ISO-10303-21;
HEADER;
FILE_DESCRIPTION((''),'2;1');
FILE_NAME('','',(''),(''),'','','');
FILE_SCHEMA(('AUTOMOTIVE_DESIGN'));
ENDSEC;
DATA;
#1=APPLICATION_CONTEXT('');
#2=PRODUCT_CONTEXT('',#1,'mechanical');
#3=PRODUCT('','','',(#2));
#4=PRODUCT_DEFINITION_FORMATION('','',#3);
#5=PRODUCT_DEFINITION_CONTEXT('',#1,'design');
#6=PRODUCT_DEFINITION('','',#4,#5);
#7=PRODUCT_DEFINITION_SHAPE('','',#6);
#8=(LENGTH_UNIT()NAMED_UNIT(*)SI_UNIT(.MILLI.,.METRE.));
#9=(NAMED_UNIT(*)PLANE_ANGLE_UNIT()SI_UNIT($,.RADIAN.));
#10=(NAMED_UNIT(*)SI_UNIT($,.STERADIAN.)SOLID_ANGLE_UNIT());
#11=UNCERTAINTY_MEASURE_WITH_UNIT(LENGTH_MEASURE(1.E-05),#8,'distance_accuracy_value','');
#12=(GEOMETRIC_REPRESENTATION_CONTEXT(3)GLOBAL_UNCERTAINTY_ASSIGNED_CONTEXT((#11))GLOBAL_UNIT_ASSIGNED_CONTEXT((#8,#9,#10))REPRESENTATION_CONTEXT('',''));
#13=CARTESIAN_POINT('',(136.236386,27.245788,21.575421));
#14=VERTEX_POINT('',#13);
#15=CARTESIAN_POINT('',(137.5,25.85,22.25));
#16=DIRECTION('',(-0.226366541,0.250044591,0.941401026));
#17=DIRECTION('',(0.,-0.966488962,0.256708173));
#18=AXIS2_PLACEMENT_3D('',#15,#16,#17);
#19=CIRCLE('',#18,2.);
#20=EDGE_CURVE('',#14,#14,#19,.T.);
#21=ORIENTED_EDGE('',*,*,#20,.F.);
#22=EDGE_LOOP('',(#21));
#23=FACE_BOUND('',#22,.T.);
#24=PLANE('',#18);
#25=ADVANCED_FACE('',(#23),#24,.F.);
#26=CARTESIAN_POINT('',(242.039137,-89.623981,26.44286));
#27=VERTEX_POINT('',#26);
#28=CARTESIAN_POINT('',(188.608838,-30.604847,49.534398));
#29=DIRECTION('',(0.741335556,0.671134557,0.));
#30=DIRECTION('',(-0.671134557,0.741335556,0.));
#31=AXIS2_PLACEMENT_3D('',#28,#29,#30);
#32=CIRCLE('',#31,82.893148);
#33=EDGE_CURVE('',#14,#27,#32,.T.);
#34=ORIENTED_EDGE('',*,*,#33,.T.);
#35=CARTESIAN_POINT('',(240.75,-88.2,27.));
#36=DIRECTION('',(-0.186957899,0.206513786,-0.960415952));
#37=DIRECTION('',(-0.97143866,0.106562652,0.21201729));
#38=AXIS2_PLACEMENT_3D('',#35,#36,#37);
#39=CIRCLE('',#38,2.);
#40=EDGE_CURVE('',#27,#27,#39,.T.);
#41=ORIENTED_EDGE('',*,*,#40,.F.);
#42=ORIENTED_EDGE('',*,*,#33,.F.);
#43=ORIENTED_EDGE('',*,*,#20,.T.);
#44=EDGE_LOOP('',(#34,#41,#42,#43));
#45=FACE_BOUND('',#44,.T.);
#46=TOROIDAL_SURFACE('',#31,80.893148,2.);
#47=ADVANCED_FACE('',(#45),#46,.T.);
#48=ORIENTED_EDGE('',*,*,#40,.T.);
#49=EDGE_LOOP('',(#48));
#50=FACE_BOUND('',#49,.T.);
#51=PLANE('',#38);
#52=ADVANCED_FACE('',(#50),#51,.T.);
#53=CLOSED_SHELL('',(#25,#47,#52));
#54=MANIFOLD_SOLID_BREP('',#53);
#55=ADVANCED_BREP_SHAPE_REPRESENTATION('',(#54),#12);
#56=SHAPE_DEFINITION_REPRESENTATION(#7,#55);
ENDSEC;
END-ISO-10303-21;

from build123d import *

# Parameters (mm, degrees)
SWEEP1_PROFILE_R = 2


with BuildPart() as part:
    # Sweep1: sweep along a path in Sketch2
    with BuildLine(Plane(origin=(88.428334222, 80.054585782, 0), x_dir=(0, 0, 1), z_dir=(-0.741335556230142, -0.6711345566046694, 0))) as sweep1_path:
        ThreePointArc((22.25, -73.117477405), (130.389016376, -146.773948479), (27, -226.961440562))
    # Sweep1 profile (on start of the path) → Sweep1 (sweep)
    with BuildSketch(Plane(origin=(137.5, 25.85, 22.25), x_dir=(0, 0.9664889622399796, -0.25670817257790507), z_dir=(-0.22636654096536785, 0.25004459077094504, 0.9414010260019717))):
        Circle(SWEEP1_PROFILE_R)
    sweep(path=sweep1_path.line)


solid = part.part
